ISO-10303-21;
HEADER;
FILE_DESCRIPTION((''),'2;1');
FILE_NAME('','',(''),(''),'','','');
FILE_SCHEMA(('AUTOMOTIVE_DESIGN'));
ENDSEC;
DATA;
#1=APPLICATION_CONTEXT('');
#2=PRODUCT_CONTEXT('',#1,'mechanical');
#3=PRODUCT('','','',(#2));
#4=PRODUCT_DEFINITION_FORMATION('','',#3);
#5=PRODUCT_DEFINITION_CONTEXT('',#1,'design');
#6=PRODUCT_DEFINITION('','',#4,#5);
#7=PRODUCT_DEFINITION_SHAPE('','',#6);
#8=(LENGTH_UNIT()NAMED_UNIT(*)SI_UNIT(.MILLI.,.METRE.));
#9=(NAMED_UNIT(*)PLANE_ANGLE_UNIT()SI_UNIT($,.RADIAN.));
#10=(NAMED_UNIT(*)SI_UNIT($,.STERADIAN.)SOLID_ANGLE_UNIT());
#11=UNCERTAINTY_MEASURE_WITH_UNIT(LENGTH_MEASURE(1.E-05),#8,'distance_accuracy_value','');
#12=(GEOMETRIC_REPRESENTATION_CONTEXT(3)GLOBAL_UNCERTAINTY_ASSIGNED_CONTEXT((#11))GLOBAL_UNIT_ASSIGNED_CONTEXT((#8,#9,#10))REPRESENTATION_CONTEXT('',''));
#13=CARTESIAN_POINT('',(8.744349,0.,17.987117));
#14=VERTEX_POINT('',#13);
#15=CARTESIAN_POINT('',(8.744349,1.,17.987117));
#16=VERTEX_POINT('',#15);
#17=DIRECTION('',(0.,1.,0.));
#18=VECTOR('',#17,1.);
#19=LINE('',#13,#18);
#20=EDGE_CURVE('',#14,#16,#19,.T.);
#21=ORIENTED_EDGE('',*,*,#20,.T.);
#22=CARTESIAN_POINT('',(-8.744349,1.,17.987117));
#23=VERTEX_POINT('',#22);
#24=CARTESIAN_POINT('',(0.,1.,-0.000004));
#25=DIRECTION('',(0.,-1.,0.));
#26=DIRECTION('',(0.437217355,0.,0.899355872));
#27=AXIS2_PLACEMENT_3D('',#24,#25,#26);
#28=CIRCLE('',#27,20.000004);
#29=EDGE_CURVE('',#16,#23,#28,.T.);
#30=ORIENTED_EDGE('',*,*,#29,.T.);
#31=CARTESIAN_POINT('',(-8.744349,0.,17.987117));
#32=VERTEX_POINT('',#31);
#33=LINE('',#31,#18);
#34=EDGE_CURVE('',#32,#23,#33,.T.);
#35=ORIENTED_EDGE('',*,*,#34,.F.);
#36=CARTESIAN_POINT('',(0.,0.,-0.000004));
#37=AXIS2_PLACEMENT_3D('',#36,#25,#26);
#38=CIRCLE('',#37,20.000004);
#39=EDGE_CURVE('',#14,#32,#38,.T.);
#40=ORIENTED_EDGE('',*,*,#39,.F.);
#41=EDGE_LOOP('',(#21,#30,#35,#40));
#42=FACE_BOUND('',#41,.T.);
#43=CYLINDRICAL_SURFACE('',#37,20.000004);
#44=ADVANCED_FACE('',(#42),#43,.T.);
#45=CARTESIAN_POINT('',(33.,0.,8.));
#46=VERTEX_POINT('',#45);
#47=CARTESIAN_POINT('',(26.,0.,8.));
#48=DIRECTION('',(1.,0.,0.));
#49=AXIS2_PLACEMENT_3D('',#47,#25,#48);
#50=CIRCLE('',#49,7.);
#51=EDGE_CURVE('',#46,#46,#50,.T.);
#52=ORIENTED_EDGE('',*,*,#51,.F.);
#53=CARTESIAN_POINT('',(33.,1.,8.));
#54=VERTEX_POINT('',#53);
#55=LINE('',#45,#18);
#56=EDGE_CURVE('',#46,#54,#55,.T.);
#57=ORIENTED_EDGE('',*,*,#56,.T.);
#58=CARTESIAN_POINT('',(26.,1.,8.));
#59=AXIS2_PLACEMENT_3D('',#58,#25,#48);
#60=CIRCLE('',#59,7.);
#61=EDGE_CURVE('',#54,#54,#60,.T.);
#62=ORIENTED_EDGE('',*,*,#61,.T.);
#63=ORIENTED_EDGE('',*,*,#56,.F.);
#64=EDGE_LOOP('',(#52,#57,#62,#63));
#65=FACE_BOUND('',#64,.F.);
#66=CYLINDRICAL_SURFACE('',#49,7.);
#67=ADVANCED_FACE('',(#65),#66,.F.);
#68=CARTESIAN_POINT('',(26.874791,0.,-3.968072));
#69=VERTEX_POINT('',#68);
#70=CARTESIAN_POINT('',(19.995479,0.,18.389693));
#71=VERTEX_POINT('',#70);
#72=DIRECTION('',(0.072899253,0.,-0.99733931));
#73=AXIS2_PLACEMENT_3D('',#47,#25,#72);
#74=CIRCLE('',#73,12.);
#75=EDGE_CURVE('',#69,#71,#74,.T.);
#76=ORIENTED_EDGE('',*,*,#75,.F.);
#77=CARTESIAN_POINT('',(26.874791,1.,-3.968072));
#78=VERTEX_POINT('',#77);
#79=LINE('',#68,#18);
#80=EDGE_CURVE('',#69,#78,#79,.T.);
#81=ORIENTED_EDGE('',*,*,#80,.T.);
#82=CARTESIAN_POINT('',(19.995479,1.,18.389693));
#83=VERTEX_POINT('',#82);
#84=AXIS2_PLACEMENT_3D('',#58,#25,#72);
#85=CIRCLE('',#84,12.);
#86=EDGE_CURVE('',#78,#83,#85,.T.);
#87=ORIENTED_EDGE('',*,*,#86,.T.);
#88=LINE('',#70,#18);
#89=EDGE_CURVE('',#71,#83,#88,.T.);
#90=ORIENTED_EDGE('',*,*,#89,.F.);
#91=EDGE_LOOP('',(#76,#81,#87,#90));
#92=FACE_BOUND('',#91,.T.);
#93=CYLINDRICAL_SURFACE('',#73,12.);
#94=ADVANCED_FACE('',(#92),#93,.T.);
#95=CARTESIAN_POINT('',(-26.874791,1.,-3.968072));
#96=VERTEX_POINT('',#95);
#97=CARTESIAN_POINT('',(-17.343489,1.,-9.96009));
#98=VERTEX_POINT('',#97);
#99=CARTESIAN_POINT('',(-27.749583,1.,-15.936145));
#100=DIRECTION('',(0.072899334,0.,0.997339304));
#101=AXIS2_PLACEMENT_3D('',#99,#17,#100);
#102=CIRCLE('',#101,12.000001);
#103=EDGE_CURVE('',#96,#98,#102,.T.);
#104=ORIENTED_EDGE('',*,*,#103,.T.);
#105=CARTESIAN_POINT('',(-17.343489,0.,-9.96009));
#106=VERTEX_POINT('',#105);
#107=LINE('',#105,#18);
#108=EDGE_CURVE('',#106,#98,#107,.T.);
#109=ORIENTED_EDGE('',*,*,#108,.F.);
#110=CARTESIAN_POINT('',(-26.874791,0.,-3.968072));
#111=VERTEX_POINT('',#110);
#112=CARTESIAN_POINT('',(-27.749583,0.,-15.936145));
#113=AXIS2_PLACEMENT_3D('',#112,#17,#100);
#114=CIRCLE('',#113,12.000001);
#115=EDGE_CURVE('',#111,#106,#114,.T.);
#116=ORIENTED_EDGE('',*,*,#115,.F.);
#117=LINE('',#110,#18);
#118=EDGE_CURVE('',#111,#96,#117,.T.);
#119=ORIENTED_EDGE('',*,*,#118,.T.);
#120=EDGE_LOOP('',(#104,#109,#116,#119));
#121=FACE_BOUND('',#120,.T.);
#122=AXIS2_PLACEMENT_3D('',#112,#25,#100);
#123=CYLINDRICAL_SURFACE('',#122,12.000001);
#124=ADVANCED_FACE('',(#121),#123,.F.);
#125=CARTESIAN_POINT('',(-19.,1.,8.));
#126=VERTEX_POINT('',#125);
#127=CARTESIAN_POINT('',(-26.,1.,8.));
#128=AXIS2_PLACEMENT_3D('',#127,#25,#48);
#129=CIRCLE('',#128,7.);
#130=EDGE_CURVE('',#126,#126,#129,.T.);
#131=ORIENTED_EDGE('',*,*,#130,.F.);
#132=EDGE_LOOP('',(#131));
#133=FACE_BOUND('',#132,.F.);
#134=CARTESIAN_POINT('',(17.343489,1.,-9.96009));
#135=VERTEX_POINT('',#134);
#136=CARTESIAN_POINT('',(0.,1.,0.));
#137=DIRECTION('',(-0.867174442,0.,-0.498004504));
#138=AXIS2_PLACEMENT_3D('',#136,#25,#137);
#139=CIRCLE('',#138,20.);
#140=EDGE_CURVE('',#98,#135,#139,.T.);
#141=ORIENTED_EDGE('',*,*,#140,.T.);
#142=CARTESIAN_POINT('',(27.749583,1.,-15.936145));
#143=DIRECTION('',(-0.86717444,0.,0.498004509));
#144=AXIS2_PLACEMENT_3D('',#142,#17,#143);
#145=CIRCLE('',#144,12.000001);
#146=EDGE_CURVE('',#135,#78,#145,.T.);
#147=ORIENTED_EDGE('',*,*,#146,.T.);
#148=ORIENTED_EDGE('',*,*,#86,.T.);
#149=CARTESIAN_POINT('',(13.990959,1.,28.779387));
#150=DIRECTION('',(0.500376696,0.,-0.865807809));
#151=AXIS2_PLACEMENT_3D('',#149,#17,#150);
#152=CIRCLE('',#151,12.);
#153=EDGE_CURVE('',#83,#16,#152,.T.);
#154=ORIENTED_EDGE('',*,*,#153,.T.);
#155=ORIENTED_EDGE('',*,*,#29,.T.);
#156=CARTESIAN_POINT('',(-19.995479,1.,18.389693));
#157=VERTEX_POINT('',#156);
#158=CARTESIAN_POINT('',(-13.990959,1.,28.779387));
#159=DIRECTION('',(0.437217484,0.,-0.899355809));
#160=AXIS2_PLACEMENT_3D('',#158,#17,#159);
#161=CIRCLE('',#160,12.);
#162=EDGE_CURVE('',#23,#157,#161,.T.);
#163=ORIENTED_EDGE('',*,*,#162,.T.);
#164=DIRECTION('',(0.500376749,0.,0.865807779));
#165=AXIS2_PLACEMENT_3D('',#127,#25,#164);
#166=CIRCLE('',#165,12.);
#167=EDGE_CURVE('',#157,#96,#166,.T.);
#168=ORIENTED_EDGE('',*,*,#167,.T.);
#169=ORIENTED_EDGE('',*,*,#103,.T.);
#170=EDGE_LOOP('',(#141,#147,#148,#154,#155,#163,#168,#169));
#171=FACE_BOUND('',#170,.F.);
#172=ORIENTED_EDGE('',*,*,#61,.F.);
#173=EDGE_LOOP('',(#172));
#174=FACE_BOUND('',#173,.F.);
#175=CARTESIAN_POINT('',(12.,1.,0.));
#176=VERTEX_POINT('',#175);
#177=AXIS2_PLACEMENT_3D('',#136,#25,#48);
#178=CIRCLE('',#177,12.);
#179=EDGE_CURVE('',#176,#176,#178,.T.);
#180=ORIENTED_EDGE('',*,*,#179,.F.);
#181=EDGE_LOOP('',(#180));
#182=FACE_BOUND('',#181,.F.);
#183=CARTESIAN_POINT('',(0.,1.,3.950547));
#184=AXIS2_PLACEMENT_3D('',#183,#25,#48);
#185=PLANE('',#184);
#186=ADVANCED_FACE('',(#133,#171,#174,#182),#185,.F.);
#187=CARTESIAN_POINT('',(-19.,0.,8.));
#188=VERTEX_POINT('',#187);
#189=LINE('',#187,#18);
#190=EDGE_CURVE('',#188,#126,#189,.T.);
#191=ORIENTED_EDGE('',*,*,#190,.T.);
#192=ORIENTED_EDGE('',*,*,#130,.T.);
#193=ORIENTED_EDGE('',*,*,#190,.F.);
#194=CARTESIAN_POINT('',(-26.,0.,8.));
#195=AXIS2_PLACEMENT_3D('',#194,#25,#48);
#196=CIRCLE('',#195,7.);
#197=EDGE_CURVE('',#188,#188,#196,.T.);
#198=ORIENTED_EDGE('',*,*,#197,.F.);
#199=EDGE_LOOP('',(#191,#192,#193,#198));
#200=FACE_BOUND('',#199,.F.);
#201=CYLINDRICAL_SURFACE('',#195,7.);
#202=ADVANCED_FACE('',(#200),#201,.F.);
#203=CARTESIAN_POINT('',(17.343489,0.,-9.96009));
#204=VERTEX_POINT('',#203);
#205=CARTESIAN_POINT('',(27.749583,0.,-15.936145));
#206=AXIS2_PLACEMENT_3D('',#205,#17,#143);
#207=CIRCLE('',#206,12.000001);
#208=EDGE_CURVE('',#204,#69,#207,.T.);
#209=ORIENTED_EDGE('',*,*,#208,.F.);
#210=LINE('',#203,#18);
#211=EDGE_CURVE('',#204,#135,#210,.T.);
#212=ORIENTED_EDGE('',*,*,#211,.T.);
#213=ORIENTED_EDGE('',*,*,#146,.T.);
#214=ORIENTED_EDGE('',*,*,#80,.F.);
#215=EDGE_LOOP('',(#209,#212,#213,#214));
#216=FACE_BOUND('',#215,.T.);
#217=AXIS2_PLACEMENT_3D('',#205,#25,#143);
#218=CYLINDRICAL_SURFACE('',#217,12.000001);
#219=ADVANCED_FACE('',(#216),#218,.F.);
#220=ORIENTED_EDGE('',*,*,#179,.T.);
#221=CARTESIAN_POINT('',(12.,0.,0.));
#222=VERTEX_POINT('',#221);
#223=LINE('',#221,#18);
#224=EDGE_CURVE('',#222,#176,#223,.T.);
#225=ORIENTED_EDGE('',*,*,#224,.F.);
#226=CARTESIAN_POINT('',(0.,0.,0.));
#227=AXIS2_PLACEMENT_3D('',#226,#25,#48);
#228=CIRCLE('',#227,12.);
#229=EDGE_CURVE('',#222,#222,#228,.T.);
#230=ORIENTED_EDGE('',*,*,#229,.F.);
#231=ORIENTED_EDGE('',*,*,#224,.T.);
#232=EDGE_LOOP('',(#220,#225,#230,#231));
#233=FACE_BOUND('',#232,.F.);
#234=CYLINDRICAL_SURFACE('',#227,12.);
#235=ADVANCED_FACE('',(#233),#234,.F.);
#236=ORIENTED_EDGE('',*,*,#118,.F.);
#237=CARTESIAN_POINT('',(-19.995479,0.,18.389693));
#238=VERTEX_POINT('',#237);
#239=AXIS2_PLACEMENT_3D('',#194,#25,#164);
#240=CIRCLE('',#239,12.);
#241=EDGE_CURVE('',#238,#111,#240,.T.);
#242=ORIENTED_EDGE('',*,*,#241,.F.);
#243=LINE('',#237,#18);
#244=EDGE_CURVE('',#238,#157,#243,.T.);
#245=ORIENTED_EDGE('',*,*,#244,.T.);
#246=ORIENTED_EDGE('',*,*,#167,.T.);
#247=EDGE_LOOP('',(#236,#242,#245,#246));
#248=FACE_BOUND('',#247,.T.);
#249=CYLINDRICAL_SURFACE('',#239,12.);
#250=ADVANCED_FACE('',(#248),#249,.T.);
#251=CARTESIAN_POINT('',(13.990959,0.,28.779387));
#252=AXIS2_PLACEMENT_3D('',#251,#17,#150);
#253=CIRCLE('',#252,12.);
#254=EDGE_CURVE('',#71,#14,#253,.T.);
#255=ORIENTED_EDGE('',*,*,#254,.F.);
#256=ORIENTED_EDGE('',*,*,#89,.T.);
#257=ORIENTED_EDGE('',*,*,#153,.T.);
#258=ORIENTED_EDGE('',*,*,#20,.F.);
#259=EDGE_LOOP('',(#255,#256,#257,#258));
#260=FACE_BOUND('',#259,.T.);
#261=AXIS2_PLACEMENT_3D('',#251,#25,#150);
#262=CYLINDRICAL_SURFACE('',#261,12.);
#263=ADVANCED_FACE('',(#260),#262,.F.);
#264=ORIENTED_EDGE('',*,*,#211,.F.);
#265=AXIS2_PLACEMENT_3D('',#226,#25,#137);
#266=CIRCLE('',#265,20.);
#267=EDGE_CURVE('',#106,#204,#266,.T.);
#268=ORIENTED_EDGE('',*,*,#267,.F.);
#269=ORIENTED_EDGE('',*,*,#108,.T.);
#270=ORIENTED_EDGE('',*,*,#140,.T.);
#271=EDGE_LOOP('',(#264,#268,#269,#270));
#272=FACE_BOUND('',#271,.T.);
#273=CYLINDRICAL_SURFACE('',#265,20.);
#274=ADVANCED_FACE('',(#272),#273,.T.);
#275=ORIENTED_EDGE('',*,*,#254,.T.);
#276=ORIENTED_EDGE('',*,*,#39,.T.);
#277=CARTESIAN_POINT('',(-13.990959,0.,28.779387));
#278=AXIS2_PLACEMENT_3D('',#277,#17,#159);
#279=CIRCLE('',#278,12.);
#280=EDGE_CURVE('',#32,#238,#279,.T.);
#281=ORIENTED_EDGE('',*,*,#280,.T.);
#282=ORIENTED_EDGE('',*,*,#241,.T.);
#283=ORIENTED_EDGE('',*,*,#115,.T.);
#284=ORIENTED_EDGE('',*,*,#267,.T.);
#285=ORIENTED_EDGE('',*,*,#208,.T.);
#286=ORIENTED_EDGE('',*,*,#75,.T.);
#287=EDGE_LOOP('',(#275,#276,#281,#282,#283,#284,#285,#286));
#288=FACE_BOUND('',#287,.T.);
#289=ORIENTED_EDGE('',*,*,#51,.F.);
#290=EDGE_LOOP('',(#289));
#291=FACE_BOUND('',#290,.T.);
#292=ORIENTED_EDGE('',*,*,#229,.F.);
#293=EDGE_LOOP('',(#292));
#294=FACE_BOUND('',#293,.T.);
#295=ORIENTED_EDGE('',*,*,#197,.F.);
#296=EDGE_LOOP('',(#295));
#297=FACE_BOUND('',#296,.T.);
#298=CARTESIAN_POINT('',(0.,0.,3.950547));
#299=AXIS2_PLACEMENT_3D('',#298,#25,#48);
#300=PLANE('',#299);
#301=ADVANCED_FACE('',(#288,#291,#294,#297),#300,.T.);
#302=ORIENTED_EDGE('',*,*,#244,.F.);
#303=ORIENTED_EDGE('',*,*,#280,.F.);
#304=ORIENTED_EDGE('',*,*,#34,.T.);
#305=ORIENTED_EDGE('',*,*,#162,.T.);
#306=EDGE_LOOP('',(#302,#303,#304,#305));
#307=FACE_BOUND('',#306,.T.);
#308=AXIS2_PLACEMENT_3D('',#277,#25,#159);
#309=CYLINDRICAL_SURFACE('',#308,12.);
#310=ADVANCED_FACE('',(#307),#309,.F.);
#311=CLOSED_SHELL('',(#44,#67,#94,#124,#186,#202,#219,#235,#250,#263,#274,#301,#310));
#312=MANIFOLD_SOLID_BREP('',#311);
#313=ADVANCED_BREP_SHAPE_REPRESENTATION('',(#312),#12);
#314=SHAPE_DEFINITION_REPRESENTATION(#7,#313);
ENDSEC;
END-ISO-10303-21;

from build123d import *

# Parameters (mm, degrees)
F0_R     = 7
F0_R_2   = 12
F1_DEPTH = 1


with BuildPart() as f1:
    # F0 (on Front) → F1 (new body)
    with BuildSketch(Plane.XZ):
        with BuildLine():
            ThreePointArc((-26.874791, -3.968072), (-21.362826, -5.776944), (-17.343489, -9.96009))
            ThreePointArc((-17.343489, -9.96009), (0, -20), (17.343489, -9.96009))
            ThreePointArc((17.343489, -9.96009), (21.362826, -5.776944), (26.874791, -3.968072))
            ThreePointArc((26.874791, -3.968072), (37.469348, 11.52903), (19.995479, 18.389693))
            ThreePointArc((19.995479, 18.389693), (14.420055, 16.787061), (8.744349, 17.987117))
            ThreePointArc((8.744349, 17.987117), (0, 20), (-8.744349, 17.987117))
            ThreePointArc((-8.744349, 17.987117), (-14.420055, 16.787061), (-19.995479, 18.389693))
            ThreePointArc((-19.995479, 18.389693), (-37.469348, 11.52903), (-26.874791, -3.968072))
        make_face()
        with Locations((-26, 8)):
            Circle(F0_R, mode=Mode.SUBTRACT)
        Circle(F0_R_2, mode=Mode.SUBTRACT)
        with Locations((26, 8)):
            Circle(F0_R, mode=Mode.SUBTRACT)
    extrude(amount=-F1_DEPTH)


solid = f1.part
